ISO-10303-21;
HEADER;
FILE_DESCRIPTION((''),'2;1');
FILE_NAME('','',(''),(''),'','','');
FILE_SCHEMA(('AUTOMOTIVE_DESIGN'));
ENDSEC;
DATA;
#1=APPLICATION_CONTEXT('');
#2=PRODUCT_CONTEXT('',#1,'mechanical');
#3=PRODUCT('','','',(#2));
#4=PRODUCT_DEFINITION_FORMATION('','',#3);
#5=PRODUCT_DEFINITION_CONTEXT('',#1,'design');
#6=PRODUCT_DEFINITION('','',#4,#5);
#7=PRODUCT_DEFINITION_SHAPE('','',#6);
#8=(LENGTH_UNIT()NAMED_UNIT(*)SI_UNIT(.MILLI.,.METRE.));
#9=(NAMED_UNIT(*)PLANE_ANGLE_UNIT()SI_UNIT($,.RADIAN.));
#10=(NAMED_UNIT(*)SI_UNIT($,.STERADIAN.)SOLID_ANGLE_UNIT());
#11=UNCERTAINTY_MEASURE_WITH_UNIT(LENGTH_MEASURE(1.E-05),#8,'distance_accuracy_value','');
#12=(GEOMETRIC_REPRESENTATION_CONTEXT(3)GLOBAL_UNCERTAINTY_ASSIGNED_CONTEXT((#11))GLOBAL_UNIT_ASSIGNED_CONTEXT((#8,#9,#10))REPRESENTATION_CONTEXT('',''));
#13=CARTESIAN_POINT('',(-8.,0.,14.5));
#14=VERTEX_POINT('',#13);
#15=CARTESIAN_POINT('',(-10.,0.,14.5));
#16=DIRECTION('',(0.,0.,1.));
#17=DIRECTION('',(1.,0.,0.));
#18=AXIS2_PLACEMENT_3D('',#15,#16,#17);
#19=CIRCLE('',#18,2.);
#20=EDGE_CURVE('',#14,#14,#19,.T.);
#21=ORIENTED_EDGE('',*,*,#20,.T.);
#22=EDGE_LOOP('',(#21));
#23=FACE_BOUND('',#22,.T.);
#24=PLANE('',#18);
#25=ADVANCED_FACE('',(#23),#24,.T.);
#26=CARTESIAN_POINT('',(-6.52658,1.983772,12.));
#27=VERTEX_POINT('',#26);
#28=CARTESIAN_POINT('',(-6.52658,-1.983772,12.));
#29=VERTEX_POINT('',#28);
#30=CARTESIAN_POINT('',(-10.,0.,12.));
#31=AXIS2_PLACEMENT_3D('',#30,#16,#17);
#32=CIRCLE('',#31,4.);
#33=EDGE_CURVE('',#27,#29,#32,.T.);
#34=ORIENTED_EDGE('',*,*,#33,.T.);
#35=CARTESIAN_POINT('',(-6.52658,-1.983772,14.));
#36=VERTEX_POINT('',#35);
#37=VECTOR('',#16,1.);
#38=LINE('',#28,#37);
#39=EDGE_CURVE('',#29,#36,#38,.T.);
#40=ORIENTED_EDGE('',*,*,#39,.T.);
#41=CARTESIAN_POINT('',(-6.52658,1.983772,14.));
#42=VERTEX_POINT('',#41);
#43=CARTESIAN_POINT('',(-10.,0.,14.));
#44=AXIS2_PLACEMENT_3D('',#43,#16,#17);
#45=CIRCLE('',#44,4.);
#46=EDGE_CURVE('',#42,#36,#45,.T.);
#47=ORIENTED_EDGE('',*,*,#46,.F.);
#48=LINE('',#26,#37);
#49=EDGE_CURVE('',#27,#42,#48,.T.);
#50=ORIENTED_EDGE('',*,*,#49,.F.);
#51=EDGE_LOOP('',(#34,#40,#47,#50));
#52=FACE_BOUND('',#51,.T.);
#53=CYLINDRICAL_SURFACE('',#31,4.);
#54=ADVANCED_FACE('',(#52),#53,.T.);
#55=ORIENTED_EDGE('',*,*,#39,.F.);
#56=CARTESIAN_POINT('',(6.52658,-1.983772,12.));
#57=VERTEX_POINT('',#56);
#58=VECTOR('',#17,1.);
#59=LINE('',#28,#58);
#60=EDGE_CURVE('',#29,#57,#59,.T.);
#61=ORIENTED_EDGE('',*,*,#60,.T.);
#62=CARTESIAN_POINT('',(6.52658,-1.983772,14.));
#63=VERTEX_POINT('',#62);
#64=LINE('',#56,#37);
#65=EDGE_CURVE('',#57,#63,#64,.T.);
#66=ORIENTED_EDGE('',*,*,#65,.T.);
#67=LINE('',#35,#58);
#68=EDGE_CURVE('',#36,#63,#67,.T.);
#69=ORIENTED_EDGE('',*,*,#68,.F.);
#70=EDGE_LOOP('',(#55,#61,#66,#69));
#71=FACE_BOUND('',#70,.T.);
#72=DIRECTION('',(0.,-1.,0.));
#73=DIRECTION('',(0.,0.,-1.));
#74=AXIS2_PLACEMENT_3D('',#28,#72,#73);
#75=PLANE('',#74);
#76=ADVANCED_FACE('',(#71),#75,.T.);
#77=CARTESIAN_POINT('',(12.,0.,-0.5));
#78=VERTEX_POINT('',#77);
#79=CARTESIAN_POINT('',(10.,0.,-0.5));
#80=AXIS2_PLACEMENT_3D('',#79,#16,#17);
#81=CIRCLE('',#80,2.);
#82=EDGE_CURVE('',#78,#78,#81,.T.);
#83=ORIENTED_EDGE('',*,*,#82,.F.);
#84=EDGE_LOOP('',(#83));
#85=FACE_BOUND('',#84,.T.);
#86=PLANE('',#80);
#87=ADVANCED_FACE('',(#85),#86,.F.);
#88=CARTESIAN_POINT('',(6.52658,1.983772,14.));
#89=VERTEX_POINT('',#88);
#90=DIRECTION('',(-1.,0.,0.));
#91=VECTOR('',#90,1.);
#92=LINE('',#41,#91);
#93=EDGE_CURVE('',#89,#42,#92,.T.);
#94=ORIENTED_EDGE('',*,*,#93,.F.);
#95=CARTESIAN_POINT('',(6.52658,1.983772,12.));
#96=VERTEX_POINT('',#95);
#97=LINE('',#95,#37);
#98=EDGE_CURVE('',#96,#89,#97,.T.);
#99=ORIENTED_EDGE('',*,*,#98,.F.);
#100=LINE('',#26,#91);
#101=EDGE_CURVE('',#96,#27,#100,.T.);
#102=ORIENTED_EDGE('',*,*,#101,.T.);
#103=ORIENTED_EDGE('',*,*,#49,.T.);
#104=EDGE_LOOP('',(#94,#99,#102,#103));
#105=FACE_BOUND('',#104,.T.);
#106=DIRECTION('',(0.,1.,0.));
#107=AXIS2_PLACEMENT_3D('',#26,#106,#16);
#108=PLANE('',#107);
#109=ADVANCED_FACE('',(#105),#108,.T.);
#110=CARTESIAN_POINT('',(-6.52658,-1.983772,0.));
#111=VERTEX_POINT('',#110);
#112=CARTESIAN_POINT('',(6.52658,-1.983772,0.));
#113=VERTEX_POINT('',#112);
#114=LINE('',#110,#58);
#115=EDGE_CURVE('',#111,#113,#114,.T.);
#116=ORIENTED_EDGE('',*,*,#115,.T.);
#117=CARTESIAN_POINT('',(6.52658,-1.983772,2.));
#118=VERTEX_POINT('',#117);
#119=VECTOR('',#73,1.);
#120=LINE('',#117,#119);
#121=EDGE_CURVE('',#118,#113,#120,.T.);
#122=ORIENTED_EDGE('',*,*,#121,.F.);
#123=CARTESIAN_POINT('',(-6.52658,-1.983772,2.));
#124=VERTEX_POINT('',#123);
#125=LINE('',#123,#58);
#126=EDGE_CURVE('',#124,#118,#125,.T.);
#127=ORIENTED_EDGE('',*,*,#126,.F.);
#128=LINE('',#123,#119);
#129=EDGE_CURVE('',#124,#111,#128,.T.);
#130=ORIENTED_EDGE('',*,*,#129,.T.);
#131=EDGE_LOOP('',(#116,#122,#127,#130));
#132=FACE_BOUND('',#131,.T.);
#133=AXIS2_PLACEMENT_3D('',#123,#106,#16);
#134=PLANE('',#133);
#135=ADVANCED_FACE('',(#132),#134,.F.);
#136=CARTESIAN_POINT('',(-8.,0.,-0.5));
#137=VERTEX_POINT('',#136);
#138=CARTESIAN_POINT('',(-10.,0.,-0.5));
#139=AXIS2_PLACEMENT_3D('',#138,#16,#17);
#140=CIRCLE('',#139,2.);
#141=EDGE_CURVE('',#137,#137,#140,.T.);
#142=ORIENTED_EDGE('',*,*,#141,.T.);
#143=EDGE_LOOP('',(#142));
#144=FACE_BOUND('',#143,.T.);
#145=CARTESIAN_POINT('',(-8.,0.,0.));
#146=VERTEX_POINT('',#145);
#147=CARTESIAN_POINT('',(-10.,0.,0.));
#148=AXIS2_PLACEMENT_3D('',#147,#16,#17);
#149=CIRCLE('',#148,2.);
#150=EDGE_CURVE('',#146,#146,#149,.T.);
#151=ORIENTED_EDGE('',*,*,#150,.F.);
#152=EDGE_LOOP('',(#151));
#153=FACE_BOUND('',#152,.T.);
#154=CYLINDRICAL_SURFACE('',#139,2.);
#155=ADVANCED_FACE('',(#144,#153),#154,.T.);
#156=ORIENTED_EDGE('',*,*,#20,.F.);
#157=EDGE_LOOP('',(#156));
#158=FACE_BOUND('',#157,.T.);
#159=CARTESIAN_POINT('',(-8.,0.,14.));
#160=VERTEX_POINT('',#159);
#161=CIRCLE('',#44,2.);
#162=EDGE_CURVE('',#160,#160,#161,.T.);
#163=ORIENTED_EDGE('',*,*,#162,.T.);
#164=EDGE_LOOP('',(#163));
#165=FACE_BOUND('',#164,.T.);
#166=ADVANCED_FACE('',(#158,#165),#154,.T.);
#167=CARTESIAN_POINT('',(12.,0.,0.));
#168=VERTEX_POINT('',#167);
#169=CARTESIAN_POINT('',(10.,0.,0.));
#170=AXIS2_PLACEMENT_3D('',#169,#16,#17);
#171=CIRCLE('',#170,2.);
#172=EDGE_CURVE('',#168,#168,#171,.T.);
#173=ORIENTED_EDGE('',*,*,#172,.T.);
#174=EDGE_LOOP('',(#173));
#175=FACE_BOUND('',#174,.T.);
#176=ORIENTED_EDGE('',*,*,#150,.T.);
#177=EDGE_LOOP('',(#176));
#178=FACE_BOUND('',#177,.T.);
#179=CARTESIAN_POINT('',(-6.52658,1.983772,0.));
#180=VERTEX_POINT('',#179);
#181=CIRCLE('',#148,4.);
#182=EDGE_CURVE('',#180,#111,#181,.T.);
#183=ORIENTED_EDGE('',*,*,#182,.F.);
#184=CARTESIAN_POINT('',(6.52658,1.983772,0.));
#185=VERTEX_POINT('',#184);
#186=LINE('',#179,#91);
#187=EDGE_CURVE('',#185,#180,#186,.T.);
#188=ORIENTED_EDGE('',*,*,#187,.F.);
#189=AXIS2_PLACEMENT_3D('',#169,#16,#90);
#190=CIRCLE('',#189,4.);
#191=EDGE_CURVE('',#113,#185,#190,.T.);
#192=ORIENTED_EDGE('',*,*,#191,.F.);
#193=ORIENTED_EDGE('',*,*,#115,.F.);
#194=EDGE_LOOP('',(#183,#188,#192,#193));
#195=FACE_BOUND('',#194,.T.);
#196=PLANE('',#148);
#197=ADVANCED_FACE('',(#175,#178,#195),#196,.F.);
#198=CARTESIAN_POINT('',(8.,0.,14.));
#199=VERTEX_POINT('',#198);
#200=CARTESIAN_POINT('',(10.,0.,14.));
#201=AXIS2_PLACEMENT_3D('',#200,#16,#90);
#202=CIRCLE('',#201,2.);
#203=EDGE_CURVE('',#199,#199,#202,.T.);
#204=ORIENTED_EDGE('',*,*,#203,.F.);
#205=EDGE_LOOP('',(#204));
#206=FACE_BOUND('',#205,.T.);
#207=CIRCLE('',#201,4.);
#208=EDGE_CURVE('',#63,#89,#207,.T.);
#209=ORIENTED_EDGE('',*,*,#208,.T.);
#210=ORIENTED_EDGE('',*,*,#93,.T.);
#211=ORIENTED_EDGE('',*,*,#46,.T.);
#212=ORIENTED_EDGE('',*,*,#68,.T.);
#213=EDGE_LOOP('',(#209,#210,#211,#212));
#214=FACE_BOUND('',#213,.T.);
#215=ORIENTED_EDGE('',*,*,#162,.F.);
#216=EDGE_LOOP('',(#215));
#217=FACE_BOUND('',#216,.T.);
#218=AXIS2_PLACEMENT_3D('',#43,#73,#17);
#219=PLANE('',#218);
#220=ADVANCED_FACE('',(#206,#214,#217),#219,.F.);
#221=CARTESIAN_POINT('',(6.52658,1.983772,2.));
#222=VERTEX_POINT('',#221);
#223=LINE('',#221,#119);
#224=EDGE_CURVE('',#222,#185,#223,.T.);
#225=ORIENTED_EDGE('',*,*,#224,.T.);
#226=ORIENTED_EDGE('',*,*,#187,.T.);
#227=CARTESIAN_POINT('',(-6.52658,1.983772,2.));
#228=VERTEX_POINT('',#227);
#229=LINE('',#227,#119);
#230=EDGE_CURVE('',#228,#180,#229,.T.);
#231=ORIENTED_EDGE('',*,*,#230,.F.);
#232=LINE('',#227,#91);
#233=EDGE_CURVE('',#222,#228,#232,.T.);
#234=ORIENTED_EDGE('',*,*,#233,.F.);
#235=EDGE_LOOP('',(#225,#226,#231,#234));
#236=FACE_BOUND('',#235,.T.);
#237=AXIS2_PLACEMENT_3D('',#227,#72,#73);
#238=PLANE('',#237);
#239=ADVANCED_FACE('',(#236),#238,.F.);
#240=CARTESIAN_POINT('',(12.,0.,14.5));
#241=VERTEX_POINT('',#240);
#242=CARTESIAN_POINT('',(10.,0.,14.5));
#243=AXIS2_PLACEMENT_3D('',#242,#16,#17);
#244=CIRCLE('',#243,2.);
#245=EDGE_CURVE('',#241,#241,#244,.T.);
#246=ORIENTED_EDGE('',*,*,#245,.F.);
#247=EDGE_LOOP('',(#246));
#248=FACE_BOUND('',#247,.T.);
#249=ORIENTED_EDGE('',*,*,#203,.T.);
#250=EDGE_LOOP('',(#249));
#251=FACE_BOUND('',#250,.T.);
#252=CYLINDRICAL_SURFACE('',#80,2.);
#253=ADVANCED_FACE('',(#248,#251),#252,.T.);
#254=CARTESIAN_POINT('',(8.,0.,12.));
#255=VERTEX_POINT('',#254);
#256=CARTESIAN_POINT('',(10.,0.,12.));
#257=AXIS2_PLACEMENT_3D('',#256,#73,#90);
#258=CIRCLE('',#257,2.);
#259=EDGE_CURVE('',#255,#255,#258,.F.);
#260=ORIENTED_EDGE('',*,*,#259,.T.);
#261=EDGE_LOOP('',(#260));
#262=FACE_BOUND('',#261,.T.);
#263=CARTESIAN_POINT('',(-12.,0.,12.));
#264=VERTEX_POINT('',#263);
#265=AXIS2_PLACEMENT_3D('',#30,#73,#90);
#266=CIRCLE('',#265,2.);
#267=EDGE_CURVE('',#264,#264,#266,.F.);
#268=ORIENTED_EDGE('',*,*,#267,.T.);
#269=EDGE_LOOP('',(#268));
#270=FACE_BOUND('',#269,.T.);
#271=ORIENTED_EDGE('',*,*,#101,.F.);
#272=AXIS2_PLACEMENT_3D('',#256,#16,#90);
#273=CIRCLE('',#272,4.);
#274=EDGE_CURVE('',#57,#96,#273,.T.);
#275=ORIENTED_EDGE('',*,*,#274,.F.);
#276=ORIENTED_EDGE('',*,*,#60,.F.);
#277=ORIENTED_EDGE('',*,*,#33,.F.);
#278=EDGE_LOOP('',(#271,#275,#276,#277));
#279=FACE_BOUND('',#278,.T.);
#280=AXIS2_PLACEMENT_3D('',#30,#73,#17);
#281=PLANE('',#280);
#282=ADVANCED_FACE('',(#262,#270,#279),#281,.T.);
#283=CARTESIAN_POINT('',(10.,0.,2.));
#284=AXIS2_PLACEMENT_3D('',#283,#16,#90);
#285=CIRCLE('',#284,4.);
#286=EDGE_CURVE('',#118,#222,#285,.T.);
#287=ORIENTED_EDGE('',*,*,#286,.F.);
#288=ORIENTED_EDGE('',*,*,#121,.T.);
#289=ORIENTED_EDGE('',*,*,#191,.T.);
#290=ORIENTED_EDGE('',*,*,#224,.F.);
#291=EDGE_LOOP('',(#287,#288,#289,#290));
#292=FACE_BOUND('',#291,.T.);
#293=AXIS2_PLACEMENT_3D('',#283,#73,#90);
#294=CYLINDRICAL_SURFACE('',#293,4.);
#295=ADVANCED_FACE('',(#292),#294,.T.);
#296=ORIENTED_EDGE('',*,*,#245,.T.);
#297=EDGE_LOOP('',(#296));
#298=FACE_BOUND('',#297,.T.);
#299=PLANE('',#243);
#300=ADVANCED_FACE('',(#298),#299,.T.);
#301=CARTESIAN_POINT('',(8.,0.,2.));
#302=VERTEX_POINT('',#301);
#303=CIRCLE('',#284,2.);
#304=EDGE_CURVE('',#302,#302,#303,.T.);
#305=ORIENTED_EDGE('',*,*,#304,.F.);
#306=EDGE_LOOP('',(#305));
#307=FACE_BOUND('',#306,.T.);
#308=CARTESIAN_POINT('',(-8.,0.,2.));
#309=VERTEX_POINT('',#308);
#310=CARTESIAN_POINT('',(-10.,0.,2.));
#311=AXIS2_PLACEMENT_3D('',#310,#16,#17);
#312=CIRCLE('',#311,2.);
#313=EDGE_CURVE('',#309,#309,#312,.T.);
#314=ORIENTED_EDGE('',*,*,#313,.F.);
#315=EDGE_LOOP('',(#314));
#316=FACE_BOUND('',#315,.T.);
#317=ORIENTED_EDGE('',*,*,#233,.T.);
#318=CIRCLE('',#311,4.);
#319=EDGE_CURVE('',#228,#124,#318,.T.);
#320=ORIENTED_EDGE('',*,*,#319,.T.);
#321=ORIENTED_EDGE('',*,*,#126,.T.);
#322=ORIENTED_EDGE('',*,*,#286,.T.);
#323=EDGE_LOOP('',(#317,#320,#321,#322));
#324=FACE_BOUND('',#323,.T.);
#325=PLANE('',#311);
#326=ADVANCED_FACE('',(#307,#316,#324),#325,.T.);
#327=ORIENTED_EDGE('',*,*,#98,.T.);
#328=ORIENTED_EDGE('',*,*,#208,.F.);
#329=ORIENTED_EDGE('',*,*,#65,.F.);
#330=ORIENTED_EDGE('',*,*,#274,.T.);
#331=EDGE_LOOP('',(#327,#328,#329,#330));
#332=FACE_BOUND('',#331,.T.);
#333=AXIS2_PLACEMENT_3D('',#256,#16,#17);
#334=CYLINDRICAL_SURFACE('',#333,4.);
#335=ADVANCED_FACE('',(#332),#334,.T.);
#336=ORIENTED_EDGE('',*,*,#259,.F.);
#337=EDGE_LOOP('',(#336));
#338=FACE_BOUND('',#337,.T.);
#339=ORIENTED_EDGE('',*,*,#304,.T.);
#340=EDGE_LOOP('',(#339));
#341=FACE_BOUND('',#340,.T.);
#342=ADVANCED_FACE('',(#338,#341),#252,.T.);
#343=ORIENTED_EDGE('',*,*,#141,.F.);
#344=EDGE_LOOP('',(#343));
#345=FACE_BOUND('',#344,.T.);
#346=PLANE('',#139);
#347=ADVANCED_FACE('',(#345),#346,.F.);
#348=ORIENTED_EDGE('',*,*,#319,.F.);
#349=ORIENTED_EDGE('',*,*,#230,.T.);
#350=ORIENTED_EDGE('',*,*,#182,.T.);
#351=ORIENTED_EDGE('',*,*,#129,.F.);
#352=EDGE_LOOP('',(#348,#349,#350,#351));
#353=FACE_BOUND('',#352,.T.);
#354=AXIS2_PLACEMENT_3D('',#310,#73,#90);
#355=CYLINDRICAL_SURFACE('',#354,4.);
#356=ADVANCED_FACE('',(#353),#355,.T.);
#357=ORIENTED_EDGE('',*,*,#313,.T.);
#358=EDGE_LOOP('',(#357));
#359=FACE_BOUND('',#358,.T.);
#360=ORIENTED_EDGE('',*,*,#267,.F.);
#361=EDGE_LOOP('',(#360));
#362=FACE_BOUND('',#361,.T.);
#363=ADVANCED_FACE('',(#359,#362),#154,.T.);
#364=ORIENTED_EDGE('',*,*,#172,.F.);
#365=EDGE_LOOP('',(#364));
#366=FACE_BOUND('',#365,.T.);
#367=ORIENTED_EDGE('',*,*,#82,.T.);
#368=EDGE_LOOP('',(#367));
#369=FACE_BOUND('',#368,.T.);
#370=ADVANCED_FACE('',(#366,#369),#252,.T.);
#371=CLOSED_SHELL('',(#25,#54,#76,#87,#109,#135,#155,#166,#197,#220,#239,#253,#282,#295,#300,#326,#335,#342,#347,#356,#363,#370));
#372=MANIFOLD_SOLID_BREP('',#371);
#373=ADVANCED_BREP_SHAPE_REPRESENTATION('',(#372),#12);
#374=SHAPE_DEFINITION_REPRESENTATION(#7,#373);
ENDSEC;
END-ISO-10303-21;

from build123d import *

# Parameters (mm, degrees)
SKETCH_1_R           = 2
EXTRUDE_1_DEPTH      = 2
EXTRUDE_2_DEPTH      = 12.5
EXTRUDE_2_DEPTH_BACK = 2.5
SKETCH_2_R           = 2


with BuildPart() as part:
    # 草图1 → 凸台-拉伸1 (new body)
    with BuildSketch(Plane.XY):
        with BuildLine():
            Line((-6.52657961, 1.983771861), (6.52657961, 1.983771861))
            ThreePointArc((6.52657961, 1.983771861), (14, 0), (6.52657961, -1.983771861))
            Line((6.52657961, -1.983771861), (-6.52657961, -1.983771861))
            ThreePointArc((-6.52657961, -1.983771861), (-14, 0), (-6.52657961, 1.983771861))
        make_face()
        with Locations((-10, 0)):
            Circle(SKETCH_1_R, mode=Mode.SUBTRACT)
        with Locations(Location((10, 0, 0), (0, 0, 180))):
            Circle(SKETCH_1_R, mode=Mode.SUBTRACT)
    extrude_1 = extrude(amount=EXTRUDE_1_DEPTH)

    # 草图2 → 凸台-拉伸2 (add, two sides: drawn at the far end of the back side and taken through both)
    with BuildSketch(Plane.XY.offset(2).offset(-EXTRUDE_2_DEPTH_BACK)):
        with Locations((10, 0)):
            Circle(SKETCH_2_R)
        with Locations((-10, 0)):
            Circle(SKETCH_2_R)
    extrude(amount=EXTRUDE_2_DEPTH + EXTRUDE_2_DEPTH_BACK)

    # 镜向1: 凸台-拉伸1 across plane
    add(extrude_1.mirror(Plane.XY.offset(7)))


solid = part.part
